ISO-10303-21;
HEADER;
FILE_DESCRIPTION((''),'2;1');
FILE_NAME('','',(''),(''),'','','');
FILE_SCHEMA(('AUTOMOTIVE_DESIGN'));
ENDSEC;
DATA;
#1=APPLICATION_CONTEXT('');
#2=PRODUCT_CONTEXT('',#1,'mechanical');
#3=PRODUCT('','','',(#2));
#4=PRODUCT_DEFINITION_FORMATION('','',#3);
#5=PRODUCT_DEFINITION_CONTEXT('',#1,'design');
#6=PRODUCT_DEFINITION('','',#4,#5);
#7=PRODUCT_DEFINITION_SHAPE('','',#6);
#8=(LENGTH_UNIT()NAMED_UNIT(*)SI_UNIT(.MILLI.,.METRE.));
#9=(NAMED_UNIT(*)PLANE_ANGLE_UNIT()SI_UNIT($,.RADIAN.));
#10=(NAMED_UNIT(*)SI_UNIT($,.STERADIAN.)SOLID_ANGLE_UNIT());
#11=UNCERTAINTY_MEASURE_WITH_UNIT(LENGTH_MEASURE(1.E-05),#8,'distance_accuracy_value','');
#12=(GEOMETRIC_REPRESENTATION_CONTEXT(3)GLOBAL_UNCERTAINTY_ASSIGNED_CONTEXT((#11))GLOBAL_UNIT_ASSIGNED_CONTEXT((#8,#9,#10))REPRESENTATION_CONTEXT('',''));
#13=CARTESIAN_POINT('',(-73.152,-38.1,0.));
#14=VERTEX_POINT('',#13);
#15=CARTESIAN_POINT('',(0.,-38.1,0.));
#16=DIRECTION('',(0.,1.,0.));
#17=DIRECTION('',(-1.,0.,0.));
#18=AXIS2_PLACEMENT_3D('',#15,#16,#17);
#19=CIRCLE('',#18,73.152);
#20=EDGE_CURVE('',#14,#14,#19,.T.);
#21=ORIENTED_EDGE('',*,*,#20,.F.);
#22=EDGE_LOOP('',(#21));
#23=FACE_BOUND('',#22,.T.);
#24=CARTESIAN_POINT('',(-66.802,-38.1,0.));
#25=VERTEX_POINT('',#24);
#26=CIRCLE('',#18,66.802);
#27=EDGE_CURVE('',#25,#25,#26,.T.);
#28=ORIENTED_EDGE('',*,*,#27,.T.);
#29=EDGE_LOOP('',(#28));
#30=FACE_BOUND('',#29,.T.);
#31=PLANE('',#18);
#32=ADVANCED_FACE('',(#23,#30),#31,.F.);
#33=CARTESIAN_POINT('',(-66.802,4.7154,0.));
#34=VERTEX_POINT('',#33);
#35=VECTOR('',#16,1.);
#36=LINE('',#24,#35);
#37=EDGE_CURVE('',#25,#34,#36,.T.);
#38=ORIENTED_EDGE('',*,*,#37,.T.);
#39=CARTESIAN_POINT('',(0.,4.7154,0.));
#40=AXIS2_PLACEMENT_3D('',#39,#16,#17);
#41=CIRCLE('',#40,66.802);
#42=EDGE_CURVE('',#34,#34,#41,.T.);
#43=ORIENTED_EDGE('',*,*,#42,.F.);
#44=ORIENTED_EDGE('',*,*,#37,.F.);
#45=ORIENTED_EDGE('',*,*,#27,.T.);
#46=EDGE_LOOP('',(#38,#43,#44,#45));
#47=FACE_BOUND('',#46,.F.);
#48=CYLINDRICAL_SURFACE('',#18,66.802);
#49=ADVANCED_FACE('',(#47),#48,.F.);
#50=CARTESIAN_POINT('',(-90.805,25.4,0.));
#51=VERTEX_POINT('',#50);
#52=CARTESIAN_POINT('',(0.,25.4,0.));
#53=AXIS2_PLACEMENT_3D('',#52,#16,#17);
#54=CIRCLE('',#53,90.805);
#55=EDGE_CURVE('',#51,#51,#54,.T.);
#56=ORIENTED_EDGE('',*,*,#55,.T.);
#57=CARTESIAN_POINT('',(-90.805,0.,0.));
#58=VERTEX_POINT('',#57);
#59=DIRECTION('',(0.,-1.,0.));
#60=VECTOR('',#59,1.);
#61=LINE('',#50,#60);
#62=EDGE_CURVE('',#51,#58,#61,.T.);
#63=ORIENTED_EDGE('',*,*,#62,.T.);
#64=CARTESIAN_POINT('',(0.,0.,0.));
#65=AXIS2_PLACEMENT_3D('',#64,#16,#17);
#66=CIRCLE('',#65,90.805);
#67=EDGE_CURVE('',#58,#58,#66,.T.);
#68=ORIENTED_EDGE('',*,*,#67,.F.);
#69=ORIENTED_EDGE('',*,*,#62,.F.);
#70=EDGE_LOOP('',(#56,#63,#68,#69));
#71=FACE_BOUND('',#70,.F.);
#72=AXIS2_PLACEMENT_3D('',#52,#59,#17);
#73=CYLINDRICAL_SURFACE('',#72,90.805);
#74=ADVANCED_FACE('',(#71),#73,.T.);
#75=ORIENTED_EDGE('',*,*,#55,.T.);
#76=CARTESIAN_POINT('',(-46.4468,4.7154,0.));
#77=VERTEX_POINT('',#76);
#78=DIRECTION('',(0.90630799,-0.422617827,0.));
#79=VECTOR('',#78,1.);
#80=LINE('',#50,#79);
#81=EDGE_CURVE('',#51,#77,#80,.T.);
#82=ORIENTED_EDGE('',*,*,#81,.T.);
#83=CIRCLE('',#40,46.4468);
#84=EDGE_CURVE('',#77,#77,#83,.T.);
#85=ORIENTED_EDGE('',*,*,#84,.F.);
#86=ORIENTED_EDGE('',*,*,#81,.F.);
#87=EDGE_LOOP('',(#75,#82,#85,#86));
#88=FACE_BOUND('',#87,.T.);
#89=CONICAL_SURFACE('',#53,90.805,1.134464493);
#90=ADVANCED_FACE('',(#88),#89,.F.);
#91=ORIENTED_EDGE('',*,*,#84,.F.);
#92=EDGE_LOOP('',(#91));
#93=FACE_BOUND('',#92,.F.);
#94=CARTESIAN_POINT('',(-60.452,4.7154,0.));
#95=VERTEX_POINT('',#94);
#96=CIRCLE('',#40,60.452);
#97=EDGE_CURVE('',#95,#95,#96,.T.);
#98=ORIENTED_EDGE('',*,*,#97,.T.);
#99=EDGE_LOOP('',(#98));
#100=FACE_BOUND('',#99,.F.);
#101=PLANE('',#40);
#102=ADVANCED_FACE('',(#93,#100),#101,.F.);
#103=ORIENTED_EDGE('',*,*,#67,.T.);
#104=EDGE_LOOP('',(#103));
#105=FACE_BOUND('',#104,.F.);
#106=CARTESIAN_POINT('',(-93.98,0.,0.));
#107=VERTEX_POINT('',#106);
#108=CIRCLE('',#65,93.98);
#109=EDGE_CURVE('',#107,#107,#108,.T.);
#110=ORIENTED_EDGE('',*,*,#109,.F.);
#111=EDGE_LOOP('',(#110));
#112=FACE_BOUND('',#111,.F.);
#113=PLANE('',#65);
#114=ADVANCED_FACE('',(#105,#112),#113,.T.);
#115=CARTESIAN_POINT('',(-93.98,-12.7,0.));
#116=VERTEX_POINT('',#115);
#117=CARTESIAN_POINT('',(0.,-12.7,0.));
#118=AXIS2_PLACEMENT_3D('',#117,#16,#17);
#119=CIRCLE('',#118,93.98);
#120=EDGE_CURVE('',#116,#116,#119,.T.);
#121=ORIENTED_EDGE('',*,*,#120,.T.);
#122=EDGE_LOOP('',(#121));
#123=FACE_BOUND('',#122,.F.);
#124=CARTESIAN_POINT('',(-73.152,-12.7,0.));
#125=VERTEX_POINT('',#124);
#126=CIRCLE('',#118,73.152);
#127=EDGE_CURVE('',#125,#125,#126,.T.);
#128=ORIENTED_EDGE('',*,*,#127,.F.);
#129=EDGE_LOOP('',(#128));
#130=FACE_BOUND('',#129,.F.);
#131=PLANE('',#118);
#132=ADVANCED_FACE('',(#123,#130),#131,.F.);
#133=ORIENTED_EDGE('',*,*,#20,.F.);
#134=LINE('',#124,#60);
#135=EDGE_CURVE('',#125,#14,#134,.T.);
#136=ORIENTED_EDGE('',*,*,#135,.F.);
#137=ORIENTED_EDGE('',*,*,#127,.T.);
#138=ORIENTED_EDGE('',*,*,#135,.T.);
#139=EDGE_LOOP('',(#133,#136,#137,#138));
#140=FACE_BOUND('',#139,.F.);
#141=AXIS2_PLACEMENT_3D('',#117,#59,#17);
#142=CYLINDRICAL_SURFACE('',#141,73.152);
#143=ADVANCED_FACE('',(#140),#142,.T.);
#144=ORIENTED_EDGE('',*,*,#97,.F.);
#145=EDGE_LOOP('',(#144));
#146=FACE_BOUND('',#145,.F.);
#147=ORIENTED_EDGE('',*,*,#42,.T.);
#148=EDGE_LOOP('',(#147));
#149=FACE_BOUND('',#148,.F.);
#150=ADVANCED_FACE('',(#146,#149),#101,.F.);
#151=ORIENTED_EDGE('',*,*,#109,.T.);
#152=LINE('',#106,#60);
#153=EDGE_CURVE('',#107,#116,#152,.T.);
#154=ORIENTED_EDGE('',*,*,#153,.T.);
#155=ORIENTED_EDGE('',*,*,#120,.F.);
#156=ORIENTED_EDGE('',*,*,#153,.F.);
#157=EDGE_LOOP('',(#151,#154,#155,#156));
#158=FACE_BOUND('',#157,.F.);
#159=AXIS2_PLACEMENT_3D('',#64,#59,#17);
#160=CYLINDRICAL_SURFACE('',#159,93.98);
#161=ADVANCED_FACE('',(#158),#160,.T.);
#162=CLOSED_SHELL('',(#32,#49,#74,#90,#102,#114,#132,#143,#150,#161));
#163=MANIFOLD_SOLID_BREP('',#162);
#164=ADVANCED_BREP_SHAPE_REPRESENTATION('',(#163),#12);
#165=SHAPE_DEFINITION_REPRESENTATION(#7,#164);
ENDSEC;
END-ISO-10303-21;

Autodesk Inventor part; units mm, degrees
ref_plane "YZ Plane" through (0, 0, 0) normal (1, 0, 0) x (0, 1, 0)
ref_plane "XZ Plane" through (0, 0, 0) normal (0, 1, 0) x (-1, 0, 0)
ref_plane "XY Plane" through (0, 0, 0) normal (0, 0, 1) x (1, 0, 0)
sketch "Sketch1" plane through (0, 0, 0) normal (0, 0, 1) x (1, 0, 0)
  line L0 (0, 25.4) -> (-28.702, 25.4) construction
  line L1 (0, 25.4) -> (-93.98, 25.4) construction
  line L2 (-93.98, 25.4) -> (-90.805, 25.4) construction
  line L3 (-90.805, 25.4) -> (-84.455, 22.4389) construction
  line L4 (-90.805, 25.4) -> (-90.805, 22.4389) construction
  line L5 (-90.805, 0) -> (-93.98, 0)
  line L6 (-28.702, 59.6457) -> (-28.702, -91.9304) construction
  arc A0 (-28.9184, -9.248) -> (-32.3684, -1.8494) centre (-35.052, -7.6045) ccw
  line L7 (-74.93, -180.9657) -> (-28.702, -8.4405)
  line L8 (-90.805, 25.4) -> (-90.805, 0)
  line L9 (-90.805, 25.4) -> (-32.3684, -1.8494)
  line L10 (-28.702, -7.6045) -> (-60.452, -7.6045) construction
  line L11 (-60.452, -126.9331) -> (-54.102, -126.9331) construction
  line L12 (-54.102, -126.9331) -> (-54.102, -103.2346) construction
  line L13 (-54.102, -103.2346) -> (-60.452, -103.2346)
  line L14 (-60.452, 11.2462) -> (-60.452, 1.7212) construction
  line L15 (-60.452, 11.2462) -> (-60.452, 4.7154) construction
  line L16 (-60.452, 4.7154) -> (-46.4468, 4.7154)
  line L17 (-93.98, 0) -> (-93.98, -12.7) construction
  line L18 (-60.452, -12.7) -> (-73.152, -12.7) construction
  line L19 (-93.98, -12.7) -> (-93.98, -25.4) construction
  line L20 (-93.98, -25.4) -> (-93.98, -88.9) construction
  line L21 (-93.98, -88.9) -> (-81.28, -88.9) construction
  line L22 (-81.28, -88.9) -> (-81.28, -25.4) construction
  line L23 (-93.98, -25.4) -> (-81.28, -25.4)
  line L24 (-81.28, -25.4) -> (-81.28, -88.9)
  line L25 (-81.28, -88.9) -> (-93.98, -88.9)
  line L26 (-93.98, -12.7) -> (-73.152, -12.7)
  line L27 (-73.152, -138.7824) -> (-63.627, -138.7824)
  line L28 (-81.28, -88.9) -> (-81.28, -180.9657)
  line L29 (-81.28, -180.9657) -> (-74.93, -180.9657)
  line L30 (-73.152, -12.7) -> (-73.152, -138.7824)
  line L31 (-87.63, -25.4) -> (-87.63, -31.3436)
  line L32 (-87.63, -31.3436) -> (-93.98, -31.3436)
  line L33 (-93.98, 0) -> (-93.98, -25.4)
  line L34 (-93.98, -31.3436) -> (-93.98, -88.9)
  line L35 (-87.63, -155.5657) -> (-87.63, -216.5135)
  line L36 (-28.9184, -9.248) -> (-84.455, -216.5135)
  line L37 (-84.455, -216.5135) -> (-87.63, -216.5135)
  line L38 (-81.28, -155.5657) -> (-87.63, -155.5657)
  line L39 (-66.802, -38.1) -> (-73.152, -38.1)
  line L40 (-66.802, -38.1) -> (-66.802, 4.7154)
  line L41 (-66.802, 4.7154) -> (-60.452, 4.7154)
  line L42 (-66.802, -38.1) -> (-60.452, -103.2346)
  line L43 (-60.452, 11.2462) -> (-60.452, 4.7154) construction
  line L44 (-60.452, -7.6045) -> (-60.452, -12.7) construction
  line L45 (-60.452, -103.2346) -> (-60.452, -126.9331) construction
  line L46 (0, -319.0244) -> (0, 122.7573) projected
  point P0 (0, 0)
  point P1 (-93.98, -255.9127)
  point P2 (-88.7095, 22.4389)
  dimension "d0" = 28.702
  dimension "d1" = 93.98
  dimension "d2" = 3.175
  dimension "d3" = 25
  dimension "d5" = 25.4
  dimension "d6" = 25.4
  dimension "d8" = 12.7
  dimension "d12" = 31.75
  dimension "d13" = 6.35
  dimension "d16" = 12.7
  dimension "d17" = 12.7
  dimension "d18" = 12.7
  dimension "d19" = 63.5
  dimension "d20" = 12.7
  dimension "d22" = 9.525
  dimension "d23" = 6.35
  dimension "d25" = 5.9436
  dimension "d27" = 3.175
  dimension "d28" = 6.35
  dimension "d29" = 25.4
  dimension "d30" = 107.95
  dimension "d31" = 6.35
  dimension "d32" = 25.4
  dimension "d33" = 20.3552
  dimension "d34" = 15
revolve "Revolution1" add sketch "Sketch1" angle 360 about axis through (0, -10, 0) along (0, 1, 0) contours L8 L9 L16 L41 L40 L39 L30 L26 L33 L5
properties part number "phenolic_cap" material "Phenolic Resin"
